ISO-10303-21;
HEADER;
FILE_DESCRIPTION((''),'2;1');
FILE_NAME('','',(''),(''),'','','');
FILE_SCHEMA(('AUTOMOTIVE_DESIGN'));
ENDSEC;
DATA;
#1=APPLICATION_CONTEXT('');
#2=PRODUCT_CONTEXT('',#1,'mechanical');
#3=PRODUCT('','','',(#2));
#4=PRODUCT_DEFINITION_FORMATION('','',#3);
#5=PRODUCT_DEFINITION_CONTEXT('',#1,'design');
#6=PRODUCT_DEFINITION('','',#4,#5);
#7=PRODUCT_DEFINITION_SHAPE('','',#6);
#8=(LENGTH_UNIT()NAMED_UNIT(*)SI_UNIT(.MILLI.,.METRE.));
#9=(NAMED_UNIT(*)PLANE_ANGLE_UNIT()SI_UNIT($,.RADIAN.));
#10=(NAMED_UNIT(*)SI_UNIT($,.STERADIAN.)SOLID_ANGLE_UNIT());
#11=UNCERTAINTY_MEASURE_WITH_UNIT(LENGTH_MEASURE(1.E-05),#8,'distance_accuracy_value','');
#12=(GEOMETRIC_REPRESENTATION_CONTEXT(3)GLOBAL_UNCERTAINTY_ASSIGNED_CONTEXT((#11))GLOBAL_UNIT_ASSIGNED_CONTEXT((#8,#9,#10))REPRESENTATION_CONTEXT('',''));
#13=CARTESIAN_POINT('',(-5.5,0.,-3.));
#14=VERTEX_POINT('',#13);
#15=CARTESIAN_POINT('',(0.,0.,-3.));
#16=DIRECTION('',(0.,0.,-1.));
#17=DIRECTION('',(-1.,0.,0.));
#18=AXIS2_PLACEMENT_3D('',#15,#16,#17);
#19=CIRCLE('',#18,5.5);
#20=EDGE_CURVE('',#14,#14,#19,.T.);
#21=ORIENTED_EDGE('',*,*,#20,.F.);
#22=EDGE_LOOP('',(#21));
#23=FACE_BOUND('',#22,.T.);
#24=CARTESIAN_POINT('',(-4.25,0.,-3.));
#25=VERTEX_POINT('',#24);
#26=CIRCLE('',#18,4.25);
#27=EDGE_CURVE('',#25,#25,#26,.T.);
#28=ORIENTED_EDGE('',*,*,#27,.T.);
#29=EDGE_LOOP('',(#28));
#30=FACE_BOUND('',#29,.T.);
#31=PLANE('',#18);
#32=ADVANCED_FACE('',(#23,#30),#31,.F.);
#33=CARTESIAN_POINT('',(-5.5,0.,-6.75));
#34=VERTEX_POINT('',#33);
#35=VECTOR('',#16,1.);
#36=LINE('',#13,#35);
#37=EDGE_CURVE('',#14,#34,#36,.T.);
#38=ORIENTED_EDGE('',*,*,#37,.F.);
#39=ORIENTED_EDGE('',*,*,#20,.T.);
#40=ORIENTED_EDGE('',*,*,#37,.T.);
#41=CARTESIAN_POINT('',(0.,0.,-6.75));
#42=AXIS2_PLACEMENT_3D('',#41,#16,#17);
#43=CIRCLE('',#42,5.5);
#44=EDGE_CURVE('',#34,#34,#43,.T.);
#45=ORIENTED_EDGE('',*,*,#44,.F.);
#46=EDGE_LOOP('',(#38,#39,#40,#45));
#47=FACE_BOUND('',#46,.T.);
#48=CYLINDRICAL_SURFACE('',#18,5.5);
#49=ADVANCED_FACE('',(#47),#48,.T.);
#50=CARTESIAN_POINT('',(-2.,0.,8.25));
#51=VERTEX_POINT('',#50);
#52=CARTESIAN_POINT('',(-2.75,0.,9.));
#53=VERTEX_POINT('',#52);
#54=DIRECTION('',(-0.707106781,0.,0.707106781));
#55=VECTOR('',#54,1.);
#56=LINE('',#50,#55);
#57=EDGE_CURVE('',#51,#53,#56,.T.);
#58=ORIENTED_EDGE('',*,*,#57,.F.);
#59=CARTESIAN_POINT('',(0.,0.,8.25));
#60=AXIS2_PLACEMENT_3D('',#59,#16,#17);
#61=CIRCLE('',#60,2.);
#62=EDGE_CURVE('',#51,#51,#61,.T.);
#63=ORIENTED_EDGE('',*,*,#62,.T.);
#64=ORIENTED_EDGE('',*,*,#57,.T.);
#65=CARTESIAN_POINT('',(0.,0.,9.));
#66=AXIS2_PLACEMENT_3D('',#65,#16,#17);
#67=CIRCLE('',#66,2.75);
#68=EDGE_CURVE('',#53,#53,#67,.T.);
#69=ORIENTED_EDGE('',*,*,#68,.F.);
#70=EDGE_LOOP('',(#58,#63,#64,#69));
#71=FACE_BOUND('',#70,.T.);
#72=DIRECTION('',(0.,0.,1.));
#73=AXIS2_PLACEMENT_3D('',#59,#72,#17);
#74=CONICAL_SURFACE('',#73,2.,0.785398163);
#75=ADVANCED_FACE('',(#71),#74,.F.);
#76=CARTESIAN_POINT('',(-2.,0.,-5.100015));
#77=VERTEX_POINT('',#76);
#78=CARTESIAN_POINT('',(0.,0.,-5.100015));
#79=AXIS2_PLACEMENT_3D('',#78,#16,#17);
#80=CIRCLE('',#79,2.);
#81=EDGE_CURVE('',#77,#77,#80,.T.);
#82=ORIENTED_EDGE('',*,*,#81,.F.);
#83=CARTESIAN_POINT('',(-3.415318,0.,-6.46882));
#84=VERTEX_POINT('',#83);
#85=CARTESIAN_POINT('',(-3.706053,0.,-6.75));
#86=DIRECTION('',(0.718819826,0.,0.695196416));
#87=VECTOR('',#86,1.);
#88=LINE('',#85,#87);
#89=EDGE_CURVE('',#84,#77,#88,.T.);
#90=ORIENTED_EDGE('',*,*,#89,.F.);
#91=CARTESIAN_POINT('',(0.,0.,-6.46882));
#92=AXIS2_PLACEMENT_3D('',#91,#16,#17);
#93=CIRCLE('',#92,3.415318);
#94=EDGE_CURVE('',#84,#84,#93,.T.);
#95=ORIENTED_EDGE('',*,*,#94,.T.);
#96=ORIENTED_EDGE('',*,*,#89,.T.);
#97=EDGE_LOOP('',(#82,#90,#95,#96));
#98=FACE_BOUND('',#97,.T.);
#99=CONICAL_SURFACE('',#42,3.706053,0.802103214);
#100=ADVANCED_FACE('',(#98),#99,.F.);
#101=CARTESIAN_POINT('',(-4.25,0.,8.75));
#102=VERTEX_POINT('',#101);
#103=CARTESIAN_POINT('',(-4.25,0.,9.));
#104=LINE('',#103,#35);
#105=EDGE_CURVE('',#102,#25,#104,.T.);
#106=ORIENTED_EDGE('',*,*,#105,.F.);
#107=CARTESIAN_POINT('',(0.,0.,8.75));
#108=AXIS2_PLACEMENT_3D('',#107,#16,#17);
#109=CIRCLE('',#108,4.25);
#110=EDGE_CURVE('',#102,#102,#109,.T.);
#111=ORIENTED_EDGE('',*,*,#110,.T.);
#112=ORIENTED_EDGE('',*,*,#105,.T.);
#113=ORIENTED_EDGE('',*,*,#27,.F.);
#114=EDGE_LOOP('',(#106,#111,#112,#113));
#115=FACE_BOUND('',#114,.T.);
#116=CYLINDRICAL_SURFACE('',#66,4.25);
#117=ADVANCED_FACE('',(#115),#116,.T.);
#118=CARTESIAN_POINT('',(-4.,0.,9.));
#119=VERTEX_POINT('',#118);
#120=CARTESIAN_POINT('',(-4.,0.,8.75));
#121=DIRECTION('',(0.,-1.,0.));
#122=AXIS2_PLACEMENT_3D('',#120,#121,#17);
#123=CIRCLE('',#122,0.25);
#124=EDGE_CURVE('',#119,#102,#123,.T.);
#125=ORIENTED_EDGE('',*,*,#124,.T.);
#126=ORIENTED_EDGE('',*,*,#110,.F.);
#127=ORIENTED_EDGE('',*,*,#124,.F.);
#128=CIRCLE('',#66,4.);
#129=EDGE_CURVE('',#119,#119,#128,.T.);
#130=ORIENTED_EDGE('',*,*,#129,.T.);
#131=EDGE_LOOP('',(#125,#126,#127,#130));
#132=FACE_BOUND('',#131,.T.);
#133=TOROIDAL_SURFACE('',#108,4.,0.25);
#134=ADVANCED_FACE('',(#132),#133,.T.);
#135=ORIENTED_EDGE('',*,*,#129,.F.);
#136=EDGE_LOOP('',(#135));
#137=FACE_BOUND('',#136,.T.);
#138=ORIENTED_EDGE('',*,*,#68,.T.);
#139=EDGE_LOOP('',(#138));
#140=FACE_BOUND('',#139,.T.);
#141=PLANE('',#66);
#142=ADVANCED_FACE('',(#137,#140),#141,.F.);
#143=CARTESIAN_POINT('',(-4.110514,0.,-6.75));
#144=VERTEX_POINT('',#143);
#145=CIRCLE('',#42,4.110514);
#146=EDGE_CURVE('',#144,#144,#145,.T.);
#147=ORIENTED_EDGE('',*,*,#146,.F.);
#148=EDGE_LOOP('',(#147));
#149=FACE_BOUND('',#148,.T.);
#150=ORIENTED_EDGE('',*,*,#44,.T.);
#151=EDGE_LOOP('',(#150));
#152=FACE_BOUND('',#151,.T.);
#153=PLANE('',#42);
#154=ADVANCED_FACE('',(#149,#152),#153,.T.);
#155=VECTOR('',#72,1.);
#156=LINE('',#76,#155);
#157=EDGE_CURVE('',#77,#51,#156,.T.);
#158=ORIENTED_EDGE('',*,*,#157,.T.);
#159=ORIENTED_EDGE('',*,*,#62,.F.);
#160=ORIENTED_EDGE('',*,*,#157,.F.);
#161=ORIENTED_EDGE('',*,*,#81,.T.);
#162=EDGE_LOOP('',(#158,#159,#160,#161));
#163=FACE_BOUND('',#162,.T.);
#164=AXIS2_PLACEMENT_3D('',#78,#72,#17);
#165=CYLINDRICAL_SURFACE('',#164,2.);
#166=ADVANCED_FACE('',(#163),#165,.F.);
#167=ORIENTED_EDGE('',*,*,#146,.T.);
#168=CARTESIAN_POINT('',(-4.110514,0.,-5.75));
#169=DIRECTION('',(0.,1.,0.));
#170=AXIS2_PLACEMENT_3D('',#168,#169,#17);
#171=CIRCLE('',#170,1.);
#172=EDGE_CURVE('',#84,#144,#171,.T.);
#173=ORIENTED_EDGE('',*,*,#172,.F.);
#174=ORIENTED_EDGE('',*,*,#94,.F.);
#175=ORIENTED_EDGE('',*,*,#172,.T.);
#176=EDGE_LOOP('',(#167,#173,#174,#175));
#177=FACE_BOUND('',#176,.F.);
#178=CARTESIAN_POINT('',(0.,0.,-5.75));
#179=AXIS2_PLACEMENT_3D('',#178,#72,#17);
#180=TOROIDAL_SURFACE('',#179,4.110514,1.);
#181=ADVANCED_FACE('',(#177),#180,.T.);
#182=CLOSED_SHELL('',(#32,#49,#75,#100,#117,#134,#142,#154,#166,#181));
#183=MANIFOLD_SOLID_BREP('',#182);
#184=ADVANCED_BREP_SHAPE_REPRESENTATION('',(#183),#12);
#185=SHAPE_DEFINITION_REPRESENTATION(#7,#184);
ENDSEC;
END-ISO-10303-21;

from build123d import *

# Parameters (mm, degrees)
F2_R = 0.25
F3_R = 1


with BuildPart() as f1:
    # F0 (on Front) → F1 (revolve)
    with BuildSketch(Plane.XZ):
        Polygon((-2, 8.25), (-2.75, 9), (-4.25, 9), (-4.25, 6.75), (-4.25, 6), (-4.25, -3), (-5.5, -3), (-5.5, -6.75), (-4.25, -6.75), (-3.706053, -6.75), (-2, -5.100015), align=None)
    revolve(axis=Axis((0, 0, 1.255823), (0, 0, -1)))

    # F2
    f2_edges = [f1.edges().sort_by_distance(p)[0] for p in [
        (4.25, 0, 9),
    ]]
    fillet(f2_edges, radius=F2_R)

    # F3
    f3_edges = [f1.edges().sort_by_distance(p)[0] for p in [
        (3.706053, 0, -6.75),
    ]]
    fillet(f3_edges, radius=F3_R)


solid = f1.part
